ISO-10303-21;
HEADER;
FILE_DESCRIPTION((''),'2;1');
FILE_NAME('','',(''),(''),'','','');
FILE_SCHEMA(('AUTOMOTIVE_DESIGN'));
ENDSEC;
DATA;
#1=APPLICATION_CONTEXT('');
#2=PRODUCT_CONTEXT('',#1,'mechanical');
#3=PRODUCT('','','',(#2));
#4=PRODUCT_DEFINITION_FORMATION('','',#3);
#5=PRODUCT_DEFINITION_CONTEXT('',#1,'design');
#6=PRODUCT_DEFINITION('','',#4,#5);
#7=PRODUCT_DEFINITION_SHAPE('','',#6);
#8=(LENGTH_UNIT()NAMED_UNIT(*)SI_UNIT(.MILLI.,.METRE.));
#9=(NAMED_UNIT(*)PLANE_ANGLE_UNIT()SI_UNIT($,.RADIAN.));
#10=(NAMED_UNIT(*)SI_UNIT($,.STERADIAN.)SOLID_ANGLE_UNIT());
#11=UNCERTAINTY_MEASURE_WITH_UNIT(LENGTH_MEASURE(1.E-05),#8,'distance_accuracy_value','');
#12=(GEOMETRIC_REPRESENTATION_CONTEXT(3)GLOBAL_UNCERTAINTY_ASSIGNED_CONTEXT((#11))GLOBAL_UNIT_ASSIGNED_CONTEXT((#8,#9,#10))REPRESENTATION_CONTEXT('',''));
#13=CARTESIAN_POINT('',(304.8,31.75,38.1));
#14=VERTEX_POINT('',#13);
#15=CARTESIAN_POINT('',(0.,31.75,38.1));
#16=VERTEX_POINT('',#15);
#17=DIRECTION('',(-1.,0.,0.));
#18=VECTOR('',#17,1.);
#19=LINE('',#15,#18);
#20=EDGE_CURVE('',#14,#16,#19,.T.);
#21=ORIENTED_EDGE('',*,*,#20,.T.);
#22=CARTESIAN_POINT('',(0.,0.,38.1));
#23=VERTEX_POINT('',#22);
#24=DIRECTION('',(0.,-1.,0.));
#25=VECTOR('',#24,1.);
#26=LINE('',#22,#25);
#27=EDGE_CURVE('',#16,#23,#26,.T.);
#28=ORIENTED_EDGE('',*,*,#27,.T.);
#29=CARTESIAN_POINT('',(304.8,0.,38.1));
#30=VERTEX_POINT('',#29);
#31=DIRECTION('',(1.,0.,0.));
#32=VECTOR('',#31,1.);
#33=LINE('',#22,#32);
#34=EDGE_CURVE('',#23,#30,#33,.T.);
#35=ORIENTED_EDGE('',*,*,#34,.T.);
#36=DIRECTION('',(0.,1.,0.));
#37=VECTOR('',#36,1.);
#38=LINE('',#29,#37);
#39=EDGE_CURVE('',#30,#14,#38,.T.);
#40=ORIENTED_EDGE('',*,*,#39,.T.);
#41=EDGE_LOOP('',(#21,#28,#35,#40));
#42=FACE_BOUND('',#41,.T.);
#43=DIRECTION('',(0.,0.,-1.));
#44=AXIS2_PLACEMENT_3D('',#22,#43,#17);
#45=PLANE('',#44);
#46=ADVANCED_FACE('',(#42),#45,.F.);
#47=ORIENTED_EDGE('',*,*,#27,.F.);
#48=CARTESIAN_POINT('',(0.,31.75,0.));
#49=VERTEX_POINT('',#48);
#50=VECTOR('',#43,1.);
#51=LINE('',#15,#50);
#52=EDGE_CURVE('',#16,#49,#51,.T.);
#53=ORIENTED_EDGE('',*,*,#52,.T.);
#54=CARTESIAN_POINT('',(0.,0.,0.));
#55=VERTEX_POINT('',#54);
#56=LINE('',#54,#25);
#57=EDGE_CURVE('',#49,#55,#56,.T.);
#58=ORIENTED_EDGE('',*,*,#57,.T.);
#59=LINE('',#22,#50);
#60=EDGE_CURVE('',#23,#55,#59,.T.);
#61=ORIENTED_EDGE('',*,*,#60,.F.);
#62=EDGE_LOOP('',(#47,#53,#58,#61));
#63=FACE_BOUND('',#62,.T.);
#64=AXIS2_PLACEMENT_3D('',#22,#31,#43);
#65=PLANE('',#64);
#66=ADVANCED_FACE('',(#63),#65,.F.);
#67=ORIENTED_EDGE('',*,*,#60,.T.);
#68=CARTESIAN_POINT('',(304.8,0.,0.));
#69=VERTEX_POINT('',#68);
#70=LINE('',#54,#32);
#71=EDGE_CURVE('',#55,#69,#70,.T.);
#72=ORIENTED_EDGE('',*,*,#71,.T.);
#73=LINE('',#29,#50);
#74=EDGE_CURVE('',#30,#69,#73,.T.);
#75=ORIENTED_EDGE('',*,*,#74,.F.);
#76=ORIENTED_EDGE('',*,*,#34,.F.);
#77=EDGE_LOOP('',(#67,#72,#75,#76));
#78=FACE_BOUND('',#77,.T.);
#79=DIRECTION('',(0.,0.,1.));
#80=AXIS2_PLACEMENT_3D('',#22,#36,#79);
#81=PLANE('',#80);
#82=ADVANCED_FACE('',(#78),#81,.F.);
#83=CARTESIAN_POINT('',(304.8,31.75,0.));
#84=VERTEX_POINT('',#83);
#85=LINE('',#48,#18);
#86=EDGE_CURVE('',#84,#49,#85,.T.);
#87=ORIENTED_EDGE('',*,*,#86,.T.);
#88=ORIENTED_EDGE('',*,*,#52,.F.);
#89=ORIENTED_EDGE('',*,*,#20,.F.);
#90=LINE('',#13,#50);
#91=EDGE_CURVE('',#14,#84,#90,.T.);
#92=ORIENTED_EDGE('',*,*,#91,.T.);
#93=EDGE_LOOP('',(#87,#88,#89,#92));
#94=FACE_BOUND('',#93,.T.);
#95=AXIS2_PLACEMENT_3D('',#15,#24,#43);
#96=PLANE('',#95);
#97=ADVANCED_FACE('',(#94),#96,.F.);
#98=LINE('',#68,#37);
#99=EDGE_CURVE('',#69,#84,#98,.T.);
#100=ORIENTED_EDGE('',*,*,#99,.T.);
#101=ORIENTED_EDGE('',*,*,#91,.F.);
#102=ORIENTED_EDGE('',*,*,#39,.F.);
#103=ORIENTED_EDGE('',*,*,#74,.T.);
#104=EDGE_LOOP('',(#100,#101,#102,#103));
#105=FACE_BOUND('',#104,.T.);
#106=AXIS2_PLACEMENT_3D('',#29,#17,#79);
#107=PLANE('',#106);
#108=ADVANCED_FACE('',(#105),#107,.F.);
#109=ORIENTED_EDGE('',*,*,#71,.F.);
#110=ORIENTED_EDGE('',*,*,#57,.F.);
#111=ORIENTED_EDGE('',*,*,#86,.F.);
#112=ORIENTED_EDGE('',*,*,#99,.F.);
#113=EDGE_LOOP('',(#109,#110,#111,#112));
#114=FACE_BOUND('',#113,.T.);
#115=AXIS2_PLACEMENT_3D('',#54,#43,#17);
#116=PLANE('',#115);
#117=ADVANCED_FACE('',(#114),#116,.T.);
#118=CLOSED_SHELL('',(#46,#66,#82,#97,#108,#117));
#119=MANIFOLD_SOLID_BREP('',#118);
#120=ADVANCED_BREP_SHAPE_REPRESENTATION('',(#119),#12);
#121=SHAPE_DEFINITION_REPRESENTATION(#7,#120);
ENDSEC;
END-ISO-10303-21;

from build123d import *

# Parameters (mm, degrees)
SKETCH1_W           = 304.8
SKETCH1_H           = 31.75
BOSS_EXTRUDE1_DEPTH = 38.1


with BuildPart() as part:
    # Sketch1 → Boss-Extrude1 (new body)
    with BuildSketch(Plane.XY):
        with Locations((152.4, 15.875)):
            Rectangle(SKETCH1_W, SKETCH1_H)
    extrude(amount=BOSS_EXTRUDE1_DEPTH)


solid = part.part
